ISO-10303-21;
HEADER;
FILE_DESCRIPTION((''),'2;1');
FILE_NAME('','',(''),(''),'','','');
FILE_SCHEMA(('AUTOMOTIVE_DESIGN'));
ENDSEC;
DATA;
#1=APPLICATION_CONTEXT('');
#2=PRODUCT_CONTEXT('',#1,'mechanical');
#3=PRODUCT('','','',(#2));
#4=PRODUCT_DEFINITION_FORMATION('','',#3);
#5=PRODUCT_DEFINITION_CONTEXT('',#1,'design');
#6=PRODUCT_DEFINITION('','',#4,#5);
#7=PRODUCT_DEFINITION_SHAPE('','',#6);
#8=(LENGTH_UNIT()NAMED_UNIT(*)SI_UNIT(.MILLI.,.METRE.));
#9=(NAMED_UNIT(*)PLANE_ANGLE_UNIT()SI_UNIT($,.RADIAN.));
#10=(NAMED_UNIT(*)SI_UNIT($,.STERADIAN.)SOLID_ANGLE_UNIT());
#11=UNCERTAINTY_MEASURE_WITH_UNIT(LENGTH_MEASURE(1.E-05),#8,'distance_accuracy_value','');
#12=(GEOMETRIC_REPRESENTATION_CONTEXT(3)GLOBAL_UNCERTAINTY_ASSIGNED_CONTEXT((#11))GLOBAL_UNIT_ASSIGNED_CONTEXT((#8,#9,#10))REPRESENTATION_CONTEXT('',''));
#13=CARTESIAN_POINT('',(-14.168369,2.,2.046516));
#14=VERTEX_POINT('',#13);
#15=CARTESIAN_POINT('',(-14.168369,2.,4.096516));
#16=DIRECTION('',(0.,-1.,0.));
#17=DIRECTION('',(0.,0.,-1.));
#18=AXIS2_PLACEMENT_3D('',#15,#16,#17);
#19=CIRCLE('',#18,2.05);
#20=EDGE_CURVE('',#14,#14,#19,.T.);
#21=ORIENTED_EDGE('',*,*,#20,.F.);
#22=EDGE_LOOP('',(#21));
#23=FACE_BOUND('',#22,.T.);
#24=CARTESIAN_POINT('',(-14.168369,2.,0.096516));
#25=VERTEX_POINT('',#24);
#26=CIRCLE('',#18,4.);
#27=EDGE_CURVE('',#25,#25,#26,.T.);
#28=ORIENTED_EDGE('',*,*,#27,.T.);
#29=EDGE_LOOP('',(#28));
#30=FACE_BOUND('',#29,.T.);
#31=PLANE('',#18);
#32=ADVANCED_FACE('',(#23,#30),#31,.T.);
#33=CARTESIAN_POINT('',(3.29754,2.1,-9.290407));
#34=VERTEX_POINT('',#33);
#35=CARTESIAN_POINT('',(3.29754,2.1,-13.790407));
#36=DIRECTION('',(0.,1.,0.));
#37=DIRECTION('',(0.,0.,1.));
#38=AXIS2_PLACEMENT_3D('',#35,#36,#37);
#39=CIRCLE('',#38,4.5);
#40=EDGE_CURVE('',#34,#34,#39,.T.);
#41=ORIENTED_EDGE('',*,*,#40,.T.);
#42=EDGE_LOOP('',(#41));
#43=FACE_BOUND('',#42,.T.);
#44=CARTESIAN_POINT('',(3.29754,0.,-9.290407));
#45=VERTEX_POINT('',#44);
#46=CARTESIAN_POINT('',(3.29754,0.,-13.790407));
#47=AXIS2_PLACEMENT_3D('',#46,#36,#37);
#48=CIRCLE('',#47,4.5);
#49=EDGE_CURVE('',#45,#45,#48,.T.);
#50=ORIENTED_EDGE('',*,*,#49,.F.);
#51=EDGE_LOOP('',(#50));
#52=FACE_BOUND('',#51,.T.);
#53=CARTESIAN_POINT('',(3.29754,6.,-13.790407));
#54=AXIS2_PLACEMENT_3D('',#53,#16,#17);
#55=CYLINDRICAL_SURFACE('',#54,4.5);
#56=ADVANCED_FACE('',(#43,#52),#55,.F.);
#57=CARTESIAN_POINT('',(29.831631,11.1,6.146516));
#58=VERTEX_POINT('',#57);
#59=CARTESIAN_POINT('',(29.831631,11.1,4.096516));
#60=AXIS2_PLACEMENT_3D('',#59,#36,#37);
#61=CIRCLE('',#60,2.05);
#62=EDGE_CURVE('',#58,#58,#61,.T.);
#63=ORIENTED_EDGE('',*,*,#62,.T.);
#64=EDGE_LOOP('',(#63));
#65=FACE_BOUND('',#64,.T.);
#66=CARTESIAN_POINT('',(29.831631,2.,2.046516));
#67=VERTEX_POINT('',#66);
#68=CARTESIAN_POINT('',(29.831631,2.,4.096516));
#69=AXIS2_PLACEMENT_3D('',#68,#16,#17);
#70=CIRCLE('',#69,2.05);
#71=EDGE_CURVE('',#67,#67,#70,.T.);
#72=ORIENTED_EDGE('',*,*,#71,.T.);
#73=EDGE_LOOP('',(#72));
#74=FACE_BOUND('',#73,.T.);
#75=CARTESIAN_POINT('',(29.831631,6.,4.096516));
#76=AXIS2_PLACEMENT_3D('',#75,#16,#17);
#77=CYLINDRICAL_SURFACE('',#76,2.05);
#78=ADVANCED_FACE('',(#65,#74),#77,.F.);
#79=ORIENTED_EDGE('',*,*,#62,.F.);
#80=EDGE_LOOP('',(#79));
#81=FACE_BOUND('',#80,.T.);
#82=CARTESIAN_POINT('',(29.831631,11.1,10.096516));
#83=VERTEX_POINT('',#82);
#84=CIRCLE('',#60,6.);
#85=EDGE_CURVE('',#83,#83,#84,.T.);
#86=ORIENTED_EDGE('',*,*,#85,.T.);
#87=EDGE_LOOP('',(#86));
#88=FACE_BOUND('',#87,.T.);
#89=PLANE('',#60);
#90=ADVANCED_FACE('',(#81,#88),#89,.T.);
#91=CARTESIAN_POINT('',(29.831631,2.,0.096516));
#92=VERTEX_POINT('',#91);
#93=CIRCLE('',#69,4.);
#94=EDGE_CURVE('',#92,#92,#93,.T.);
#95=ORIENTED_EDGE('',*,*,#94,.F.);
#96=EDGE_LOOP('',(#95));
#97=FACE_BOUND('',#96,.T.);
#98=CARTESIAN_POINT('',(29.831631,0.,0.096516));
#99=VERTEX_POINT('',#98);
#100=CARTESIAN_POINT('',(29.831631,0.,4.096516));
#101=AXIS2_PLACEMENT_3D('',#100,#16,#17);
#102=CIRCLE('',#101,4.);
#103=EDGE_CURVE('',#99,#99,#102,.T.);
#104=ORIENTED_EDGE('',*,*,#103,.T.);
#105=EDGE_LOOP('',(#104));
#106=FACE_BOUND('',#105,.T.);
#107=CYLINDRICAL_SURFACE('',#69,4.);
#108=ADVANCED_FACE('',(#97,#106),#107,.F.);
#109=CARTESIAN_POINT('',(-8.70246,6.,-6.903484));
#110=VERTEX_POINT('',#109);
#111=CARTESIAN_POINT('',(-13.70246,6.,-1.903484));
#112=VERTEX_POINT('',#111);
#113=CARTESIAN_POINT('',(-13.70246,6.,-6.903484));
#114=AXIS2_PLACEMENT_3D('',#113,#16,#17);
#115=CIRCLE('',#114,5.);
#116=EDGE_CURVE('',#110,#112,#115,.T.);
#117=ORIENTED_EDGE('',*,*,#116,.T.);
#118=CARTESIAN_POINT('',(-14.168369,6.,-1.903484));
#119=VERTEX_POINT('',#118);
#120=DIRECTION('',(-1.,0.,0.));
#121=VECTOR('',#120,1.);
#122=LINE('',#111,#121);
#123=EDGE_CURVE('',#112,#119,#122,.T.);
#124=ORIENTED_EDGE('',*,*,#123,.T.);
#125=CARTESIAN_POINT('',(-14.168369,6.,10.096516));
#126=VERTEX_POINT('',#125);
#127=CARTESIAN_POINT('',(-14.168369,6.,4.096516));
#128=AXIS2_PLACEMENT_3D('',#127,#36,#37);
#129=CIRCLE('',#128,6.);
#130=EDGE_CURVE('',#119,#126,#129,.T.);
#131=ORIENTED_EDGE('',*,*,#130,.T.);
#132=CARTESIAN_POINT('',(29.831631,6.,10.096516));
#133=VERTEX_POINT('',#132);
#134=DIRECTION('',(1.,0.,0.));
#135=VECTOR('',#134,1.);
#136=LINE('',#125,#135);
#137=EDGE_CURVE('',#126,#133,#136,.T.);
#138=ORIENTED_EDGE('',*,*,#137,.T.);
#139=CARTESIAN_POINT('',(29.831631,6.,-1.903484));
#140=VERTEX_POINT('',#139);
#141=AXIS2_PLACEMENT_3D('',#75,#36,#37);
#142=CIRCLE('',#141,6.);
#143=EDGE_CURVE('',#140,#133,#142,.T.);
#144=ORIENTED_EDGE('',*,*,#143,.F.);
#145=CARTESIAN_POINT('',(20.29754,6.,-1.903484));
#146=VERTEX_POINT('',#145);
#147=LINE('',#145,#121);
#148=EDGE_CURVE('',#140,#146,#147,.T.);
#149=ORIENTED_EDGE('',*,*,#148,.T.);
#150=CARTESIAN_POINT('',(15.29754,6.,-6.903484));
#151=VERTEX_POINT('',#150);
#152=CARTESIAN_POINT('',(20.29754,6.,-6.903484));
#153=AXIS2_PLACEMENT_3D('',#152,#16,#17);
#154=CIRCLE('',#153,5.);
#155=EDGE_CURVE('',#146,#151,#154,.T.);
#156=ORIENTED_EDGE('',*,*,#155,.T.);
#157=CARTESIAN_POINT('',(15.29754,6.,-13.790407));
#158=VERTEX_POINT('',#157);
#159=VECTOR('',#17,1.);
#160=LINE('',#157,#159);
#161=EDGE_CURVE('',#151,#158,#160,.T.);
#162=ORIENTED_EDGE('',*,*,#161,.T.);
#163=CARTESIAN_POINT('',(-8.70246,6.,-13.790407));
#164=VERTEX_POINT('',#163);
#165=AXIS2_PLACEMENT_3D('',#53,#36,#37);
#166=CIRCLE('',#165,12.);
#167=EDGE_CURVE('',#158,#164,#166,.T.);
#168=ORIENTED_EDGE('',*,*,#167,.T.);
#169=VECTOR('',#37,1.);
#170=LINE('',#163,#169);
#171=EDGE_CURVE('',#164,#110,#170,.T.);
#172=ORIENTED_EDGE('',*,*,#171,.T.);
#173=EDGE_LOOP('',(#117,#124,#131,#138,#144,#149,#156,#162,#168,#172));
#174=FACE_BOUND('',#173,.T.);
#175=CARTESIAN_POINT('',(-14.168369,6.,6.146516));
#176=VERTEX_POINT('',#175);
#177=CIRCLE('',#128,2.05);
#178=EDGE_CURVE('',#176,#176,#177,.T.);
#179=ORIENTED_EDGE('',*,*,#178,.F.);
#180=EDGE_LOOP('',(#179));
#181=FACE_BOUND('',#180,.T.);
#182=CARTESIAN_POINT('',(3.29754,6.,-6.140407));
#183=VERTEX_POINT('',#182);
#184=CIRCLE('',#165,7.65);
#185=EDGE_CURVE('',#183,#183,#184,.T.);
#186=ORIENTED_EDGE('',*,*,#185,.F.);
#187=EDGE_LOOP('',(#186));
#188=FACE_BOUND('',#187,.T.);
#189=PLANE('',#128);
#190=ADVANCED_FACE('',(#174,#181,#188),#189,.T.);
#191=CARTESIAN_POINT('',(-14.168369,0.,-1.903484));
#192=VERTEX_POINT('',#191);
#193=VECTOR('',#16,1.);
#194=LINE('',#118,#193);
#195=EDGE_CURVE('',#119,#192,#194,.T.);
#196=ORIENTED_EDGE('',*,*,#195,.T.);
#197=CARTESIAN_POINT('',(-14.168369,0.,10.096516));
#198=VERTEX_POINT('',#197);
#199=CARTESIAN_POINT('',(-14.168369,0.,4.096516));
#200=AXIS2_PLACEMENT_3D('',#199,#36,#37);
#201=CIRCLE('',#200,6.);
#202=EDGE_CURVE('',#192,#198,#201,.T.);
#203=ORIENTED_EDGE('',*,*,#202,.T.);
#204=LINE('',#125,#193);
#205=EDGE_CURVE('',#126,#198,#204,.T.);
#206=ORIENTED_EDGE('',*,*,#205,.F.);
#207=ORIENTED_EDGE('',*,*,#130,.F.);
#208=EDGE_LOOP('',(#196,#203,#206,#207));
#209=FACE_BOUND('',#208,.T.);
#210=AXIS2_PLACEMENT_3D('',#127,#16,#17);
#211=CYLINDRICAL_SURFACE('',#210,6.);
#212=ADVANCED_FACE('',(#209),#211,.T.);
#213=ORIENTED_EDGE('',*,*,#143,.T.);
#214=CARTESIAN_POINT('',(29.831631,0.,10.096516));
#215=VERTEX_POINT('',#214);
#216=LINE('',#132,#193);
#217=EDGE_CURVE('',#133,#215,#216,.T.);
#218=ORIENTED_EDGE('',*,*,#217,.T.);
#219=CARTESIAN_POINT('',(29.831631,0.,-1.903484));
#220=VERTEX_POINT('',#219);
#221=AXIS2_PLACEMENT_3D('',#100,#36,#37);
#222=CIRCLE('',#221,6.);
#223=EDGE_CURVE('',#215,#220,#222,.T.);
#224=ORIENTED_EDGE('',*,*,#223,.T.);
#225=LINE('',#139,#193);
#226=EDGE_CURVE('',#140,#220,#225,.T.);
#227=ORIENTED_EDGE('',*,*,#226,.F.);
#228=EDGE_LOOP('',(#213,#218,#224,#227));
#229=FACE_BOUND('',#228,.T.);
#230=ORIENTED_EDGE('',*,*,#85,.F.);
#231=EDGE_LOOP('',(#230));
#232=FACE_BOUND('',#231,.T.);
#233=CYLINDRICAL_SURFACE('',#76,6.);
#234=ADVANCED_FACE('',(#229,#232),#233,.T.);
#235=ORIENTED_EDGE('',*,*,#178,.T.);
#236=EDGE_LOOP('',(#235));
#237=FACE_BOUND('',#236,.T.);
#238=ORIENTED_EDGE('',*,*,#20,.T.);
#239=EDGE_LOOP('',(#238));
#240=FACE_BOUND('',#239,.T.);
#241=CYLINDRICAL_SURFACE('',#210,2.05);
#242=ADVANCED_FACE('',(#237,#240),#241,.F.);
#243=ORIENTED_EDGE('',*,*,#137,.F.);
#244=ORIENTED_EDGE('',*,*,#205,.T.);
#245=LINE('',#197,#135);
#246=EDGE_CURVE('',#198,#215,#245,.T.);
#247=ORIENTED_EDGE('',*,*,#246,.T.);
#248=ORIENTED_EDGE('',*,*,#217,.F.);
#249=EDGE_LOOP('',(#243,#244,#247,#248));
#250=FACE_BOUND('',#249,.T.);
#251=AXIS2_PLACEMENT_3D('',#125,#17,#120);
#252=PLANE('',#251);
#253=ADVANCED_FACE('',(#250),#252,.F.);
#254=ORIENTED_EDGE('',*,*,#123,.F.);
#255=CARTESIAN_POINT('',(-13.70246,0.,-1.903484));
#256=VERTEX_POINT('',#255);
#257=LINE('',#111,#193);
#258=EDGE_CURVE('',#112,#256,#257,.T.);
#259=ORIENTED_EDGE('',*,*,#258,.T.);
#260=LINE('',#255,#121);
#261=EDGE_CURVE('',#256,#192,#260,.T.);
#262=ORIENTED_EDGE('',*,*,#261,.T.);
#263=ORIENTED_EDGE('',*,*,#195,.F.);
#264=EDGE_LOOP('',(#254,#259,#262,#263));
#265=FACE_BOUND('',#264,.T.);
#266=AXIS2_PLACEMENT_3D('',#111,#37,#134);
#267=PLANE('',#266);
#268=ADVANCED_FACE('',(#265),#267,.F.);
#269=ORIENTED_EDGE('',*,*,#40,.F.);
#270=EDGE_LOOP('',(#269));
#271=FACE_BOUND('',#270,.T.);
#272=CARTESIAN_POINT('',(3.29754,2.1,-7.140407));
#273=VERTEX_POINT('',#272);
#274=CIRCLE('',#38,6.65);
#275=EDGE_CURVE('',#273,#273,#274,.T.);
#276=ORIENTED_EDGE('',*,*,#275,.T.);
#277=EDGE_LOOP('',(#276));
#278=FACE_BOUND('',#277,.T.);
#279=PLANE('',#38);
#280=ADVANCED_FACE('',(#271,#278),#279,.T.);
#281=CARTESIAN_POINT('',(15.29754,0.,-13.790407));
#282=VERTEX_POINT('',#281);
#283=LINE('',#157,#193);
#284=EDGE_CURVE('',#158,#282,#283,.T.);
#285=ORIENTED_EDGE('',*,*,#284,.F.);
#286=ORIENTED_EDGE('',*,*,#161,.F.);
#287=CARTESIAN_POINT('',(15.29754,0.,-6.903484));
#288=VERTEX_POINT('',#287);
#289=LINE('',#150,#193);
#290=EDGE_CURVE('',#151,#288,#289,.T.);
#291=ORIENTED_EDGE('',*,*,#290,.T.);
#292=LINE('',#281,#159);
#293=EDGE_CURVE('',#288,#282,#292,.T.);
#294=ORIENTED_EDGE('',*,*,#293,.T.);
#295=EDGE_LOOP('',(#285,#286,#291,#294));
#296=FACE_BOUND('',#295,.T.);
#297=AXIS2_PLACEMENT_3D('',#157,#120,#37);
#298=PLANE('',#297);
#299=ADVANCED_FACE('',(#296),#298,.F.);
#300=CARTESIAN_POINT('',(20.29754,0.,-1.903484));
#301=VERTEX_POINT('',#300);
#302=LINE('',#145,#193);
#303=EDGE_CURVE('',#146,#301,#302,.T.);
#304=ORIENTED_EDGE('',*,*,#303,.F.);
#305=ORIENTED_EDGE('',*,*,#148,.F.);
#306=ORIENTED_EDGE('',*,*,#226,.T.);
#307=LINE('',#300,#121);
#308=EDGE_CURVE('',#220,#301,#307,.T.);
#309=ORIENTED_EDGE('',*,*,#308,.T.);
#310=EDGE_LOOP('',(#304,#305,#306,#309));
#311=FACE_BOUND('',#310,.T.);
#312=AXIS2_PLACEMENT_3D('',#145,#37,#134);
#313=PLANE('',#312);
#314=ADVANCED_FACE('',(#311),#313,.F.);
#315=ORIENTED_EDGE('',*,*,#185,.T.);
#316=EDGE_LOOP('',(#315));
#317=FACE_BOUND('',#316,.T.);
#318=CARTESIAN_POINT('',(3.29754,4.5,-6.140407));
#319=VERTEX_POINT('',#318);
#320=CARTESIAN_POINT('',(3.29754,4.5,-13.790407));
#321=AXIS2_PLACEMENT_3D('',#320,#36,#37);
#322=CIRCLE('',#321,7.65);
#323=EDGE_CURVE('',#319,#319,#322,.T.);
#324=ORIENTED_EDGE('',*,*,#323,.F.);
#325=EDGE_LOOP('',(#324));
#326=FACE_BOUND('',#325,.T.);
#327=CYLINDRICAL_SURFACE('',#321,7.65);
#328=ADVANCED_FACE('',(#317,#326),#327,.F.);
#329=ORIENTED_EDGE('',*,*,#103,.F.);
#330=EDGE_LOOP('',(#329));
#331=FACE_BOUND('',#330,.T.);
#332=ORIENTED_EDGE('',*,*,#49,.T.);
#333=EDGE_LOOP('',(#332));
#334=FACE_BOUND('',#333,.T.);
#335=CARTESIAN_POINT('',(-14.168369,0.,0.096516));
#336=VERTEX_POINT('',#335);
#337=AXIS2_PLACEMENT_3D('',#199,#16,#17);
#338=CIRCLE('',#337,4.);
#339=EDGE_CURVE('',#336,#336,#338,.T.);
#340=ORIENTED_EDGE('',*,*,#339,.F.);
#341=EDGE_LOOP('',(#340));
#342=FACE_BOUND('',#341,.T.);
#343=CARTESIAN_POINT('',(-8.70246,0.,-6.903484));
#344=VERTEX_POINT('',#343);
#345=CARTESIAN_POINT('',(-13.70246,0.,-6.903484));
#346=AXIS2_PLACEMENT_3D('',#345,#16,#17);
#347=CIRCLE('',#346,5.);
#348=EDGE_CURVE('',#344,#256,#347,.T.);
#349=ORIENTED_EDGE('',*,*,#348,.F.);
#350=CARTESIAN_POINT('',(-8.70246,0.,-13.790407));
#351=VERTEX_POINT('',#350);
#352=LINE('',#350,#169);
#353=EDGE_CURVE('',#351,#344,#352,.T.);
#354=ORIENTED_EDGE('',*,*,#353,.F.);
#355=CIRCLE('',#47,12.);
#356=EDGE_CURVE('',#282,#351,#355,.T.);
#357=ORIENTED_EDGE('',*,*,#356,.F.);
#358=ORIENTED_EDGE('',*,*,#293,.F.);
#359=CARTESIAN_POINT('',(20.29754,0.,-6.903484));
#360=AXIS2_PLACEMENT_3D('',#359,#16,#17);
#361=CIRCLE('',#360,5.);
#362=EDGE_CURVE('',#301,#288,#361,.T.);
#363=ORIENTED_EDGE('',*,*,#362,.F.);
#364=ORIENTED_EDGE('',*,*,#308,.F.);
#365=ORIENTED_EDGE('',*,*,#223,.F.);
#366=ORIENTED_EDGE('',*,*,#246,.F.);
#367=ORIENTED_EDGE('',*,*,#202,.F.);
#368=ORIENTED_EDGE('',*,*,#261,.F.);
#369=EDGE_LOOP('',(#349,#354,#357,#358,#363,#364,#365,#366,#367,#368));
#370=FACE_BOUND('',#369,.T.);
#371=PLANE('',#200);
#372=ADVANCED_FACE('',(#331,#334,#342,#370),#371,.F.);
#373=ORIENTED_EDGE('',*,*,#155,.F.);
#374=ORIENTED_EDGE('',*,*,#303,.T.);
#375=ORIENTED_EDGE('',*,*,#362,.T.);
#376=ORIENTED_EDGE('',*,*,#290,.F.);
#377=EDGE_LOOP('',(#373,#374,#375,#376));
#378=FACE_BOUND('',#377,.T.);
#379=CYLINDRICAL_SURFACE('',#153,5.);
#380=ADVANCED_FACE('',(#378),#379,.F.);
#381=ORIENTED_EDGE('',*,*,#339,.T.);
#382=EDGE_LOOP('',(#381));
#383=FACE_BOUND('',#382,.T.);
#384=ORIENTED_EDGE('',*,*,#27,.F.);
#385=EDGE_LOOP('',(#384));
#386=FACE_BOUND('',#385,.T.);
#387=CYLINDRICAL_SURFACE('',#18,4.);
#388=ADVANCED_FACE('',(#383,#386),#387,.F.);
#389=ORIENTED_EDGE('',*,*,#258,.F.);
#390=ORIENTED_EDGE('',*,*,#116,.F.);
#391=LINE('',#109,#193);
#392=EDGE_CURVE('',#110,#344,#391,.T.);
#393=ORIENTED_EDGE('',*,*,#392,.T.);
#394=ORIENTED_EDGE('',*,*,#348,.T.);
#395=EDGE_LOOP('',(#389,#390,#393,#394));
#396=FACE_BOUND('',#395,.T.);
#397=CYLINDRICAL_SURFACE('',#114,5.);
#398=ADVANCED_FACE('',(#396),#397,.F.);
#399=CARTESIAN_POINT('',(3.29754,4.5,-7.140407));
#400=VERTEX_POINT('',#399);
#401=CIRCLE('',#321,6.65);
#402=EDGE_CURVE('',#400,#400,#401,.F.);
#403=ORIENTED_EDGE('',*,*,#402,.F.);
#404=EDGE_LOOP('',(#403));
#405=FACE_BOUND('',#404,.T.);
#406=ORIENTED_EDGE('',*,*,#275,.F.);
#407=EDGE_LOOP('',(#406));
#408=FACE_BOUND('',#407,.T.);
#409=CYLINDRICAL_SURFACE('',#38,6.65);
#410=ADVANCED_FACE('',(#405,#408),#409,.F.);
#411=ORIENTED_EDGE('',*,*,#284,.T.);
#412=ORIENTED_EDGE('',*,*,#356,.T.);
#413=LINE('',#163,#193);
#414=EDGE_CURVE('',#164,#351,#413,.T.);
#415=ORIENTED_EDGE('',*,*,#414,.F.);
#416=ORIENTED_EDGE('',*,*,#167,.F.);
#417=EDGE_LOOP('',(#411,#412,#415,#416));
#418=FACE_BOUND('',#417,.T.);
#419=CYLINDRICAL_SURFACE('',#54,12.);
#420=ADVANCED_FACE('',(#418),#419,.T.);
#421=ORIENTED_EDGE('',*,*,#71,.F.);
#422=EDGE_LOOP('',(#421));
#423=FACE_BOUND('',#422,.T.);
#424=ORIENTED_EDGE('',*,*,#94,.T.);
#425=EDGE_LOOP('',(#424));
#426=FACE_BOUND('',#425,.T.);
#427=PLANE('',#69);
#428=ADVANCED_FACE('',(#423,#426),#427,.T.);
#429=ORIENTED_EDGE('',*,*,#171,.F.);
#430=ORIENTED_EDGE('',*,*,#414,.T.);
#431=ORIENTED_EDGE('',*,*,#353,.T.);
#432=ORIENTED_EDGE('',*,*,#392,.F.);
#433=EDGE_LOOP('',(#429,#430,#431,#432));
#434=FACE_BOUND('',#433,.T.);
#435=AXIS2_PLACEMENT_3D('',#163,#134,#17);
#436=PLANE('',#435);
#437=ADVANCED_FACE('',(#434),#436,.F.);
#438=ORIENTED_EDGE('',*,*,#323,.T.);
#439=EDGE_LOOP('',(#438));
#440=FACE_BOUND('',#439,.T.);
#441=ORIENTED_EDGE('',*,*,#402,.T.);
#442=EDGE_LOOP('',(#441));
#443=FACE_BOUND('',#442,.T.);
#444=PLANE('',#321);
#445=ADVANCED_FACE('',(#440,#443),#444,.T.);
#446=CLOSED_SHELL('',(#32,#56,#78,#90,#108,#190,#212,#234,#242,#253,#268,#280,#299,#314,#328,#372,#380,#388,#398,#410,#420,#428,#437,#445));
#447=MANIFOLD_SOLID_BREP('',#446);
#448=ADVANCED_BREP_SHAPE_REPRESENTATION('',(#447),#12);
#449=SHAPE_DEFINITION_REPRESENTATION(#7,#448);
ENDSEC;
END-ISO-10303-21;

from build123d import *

# Parameters (mm, degrees)
SKETCH_1_R          = 4.5
SKETCH_1_R_2        = 2.05
EXTRUDE_1_DEPTH     = 6
SKETCH_2_R          = 4
CUT_EXTRUDE_1_DEPTH = 2
SKETCH_3_R          = 6.65
CUT_EXTRUDE_2_DEPTH = 3.9
SKETCH_4_R          = 7.65
CUT_EXTRUDE_3_DEPTH = 1.5
SKETCH_5_R          = 6
SKETCH_5_R_2        = 2.05
EXTRUDE_2_DEPTH     = 5.1


with BuildPart() as part:
    # 草图1 → 凸台-拉伸1 (new body)
    with BuildSketch(Plane(origin=(0, 0, 0), x_dir=(1, 0, 0), z_dir=(0, 1, 0))):
        with BuildLine():
            Line((-14.168368772, -10.096516067), (29.831631228, -10.096516067))
            ThreePointArc((29.831631228, -10.096516067), (35.831631228, -4.096516067), (29.831631228, 1.903483933))
            Line((29.831631228, 1.903483933), (20.297540319, 1.903483933))
            ThreePointArc((20.297540319, 1.903483933), (16.762006413, 3.367950028), (15.297540319, 6.903483933))
            Line((15.297540319, 6.903483933), (15.297540319, 13.790407079))
            ThreePointArc((15.297540319, 13.790407079), (3.297540319, 25.790407079), (-8.702459681, 13.790407079))
            Line((-8.702459681, 13.790407079), (-8.702459681, 6.903483933))
            ThreePointArc((-8.702459681, 6.903483933), (-10.166925775, 3.367950028), (-13.702459681, 1.903483933))
            Line((-13.702459681, 1.903483933), (-14.168368772, 1.903483933))
            ThreePointArc((-14.168368772, 1.903483933), (-20.168368772, -4.096516067), (-14.168368772, -10.096516067))
        make_face()
        with Locations(Location((3.297540319, 13.790407079, 0), (0, 0, 270))):
            Circle(SKETCH_1_R, mode=Mode.SUBTRACT)
        with Locations(Location((-14.168368772, -4.096516067, 0), (0, 0, 270))):
            Circle(SKETCH_1_R_2, mode=Mode.SUBTRACT)
        with Locations(Location((29.831631228, -4.096516067, 0), (0, 0, 270))):
            Circle(SKETCH_1_R_2, mode=Mode.SUBTRACT)
    extrude(amount=EXTRUDE_1_DEPTH)

    # 草图2 → 切除-拉伸1 (cut)
    with BuildSketch(Plane.XZ):
        with Locations(Location((-14.168368772, 4.096516067, 0), (0, 0, 270))):
            Circle(SKETCH_2_R)
        with Locations(Location((29.831631228, 4.096516067, 0), (0, 0, 270))):
            Circle(SKETCH_2_R)
    extrude(amount=-CUT_EXTRUDE_1_DEPTH, mode=Mode.SUBTRACT)

    # 草图3 → 切除-拉伸2 (cut)
    with BuildSketch(Plane(origin=(0, 6, 0), x_dir=(1, 0, 0), z_dir=(0, 1, 0))):
        with Locations(Location((3.297540319, 13.790407079, 0), (0, 0, 270))):
            Circle(SKETCH_3_R)
    extrude(amount=-CUT_EXTRUDE_2_DEPTH, mode=Mode.SUBTRACT)

    # 草图4 → 切除-拉伸3 (cut)
    with BuildSketch(Plane(origin=(0, 6, 0), x_dir=(1, 0, 0), z_dir=(0, 1, 0))):
        with Locations(Location((3.297540319, 13.790407079, 0), (0, 0, 270))):
            Circle(SKETCH_4_R)
    extrude(amount=-CUT_EXTRUDE_3_DEPTH, mode=Mode.SUBTRACT)

    # 草图5 → 凸台-拉伸2 (add)
    with BuildSketch(Plane(origin=(0, 6, 0), x_dir=(1, 0, 0), z_dir=(0, 1, 0))):
        with Locations(Location((29.831631228, -4.096516067, 0), (0, 0, 270))):
            Circle(SKETCH_5_R)
        with Locations(Location((29.831631228, -4.096516067, 0), (0, 0, 90))):
            Circle(SKETCH_5_R_2, mode=Mode.SUBTRACT)
    extrude(amount=EXTRUDE_2_DEPTH)


solid = part.part
